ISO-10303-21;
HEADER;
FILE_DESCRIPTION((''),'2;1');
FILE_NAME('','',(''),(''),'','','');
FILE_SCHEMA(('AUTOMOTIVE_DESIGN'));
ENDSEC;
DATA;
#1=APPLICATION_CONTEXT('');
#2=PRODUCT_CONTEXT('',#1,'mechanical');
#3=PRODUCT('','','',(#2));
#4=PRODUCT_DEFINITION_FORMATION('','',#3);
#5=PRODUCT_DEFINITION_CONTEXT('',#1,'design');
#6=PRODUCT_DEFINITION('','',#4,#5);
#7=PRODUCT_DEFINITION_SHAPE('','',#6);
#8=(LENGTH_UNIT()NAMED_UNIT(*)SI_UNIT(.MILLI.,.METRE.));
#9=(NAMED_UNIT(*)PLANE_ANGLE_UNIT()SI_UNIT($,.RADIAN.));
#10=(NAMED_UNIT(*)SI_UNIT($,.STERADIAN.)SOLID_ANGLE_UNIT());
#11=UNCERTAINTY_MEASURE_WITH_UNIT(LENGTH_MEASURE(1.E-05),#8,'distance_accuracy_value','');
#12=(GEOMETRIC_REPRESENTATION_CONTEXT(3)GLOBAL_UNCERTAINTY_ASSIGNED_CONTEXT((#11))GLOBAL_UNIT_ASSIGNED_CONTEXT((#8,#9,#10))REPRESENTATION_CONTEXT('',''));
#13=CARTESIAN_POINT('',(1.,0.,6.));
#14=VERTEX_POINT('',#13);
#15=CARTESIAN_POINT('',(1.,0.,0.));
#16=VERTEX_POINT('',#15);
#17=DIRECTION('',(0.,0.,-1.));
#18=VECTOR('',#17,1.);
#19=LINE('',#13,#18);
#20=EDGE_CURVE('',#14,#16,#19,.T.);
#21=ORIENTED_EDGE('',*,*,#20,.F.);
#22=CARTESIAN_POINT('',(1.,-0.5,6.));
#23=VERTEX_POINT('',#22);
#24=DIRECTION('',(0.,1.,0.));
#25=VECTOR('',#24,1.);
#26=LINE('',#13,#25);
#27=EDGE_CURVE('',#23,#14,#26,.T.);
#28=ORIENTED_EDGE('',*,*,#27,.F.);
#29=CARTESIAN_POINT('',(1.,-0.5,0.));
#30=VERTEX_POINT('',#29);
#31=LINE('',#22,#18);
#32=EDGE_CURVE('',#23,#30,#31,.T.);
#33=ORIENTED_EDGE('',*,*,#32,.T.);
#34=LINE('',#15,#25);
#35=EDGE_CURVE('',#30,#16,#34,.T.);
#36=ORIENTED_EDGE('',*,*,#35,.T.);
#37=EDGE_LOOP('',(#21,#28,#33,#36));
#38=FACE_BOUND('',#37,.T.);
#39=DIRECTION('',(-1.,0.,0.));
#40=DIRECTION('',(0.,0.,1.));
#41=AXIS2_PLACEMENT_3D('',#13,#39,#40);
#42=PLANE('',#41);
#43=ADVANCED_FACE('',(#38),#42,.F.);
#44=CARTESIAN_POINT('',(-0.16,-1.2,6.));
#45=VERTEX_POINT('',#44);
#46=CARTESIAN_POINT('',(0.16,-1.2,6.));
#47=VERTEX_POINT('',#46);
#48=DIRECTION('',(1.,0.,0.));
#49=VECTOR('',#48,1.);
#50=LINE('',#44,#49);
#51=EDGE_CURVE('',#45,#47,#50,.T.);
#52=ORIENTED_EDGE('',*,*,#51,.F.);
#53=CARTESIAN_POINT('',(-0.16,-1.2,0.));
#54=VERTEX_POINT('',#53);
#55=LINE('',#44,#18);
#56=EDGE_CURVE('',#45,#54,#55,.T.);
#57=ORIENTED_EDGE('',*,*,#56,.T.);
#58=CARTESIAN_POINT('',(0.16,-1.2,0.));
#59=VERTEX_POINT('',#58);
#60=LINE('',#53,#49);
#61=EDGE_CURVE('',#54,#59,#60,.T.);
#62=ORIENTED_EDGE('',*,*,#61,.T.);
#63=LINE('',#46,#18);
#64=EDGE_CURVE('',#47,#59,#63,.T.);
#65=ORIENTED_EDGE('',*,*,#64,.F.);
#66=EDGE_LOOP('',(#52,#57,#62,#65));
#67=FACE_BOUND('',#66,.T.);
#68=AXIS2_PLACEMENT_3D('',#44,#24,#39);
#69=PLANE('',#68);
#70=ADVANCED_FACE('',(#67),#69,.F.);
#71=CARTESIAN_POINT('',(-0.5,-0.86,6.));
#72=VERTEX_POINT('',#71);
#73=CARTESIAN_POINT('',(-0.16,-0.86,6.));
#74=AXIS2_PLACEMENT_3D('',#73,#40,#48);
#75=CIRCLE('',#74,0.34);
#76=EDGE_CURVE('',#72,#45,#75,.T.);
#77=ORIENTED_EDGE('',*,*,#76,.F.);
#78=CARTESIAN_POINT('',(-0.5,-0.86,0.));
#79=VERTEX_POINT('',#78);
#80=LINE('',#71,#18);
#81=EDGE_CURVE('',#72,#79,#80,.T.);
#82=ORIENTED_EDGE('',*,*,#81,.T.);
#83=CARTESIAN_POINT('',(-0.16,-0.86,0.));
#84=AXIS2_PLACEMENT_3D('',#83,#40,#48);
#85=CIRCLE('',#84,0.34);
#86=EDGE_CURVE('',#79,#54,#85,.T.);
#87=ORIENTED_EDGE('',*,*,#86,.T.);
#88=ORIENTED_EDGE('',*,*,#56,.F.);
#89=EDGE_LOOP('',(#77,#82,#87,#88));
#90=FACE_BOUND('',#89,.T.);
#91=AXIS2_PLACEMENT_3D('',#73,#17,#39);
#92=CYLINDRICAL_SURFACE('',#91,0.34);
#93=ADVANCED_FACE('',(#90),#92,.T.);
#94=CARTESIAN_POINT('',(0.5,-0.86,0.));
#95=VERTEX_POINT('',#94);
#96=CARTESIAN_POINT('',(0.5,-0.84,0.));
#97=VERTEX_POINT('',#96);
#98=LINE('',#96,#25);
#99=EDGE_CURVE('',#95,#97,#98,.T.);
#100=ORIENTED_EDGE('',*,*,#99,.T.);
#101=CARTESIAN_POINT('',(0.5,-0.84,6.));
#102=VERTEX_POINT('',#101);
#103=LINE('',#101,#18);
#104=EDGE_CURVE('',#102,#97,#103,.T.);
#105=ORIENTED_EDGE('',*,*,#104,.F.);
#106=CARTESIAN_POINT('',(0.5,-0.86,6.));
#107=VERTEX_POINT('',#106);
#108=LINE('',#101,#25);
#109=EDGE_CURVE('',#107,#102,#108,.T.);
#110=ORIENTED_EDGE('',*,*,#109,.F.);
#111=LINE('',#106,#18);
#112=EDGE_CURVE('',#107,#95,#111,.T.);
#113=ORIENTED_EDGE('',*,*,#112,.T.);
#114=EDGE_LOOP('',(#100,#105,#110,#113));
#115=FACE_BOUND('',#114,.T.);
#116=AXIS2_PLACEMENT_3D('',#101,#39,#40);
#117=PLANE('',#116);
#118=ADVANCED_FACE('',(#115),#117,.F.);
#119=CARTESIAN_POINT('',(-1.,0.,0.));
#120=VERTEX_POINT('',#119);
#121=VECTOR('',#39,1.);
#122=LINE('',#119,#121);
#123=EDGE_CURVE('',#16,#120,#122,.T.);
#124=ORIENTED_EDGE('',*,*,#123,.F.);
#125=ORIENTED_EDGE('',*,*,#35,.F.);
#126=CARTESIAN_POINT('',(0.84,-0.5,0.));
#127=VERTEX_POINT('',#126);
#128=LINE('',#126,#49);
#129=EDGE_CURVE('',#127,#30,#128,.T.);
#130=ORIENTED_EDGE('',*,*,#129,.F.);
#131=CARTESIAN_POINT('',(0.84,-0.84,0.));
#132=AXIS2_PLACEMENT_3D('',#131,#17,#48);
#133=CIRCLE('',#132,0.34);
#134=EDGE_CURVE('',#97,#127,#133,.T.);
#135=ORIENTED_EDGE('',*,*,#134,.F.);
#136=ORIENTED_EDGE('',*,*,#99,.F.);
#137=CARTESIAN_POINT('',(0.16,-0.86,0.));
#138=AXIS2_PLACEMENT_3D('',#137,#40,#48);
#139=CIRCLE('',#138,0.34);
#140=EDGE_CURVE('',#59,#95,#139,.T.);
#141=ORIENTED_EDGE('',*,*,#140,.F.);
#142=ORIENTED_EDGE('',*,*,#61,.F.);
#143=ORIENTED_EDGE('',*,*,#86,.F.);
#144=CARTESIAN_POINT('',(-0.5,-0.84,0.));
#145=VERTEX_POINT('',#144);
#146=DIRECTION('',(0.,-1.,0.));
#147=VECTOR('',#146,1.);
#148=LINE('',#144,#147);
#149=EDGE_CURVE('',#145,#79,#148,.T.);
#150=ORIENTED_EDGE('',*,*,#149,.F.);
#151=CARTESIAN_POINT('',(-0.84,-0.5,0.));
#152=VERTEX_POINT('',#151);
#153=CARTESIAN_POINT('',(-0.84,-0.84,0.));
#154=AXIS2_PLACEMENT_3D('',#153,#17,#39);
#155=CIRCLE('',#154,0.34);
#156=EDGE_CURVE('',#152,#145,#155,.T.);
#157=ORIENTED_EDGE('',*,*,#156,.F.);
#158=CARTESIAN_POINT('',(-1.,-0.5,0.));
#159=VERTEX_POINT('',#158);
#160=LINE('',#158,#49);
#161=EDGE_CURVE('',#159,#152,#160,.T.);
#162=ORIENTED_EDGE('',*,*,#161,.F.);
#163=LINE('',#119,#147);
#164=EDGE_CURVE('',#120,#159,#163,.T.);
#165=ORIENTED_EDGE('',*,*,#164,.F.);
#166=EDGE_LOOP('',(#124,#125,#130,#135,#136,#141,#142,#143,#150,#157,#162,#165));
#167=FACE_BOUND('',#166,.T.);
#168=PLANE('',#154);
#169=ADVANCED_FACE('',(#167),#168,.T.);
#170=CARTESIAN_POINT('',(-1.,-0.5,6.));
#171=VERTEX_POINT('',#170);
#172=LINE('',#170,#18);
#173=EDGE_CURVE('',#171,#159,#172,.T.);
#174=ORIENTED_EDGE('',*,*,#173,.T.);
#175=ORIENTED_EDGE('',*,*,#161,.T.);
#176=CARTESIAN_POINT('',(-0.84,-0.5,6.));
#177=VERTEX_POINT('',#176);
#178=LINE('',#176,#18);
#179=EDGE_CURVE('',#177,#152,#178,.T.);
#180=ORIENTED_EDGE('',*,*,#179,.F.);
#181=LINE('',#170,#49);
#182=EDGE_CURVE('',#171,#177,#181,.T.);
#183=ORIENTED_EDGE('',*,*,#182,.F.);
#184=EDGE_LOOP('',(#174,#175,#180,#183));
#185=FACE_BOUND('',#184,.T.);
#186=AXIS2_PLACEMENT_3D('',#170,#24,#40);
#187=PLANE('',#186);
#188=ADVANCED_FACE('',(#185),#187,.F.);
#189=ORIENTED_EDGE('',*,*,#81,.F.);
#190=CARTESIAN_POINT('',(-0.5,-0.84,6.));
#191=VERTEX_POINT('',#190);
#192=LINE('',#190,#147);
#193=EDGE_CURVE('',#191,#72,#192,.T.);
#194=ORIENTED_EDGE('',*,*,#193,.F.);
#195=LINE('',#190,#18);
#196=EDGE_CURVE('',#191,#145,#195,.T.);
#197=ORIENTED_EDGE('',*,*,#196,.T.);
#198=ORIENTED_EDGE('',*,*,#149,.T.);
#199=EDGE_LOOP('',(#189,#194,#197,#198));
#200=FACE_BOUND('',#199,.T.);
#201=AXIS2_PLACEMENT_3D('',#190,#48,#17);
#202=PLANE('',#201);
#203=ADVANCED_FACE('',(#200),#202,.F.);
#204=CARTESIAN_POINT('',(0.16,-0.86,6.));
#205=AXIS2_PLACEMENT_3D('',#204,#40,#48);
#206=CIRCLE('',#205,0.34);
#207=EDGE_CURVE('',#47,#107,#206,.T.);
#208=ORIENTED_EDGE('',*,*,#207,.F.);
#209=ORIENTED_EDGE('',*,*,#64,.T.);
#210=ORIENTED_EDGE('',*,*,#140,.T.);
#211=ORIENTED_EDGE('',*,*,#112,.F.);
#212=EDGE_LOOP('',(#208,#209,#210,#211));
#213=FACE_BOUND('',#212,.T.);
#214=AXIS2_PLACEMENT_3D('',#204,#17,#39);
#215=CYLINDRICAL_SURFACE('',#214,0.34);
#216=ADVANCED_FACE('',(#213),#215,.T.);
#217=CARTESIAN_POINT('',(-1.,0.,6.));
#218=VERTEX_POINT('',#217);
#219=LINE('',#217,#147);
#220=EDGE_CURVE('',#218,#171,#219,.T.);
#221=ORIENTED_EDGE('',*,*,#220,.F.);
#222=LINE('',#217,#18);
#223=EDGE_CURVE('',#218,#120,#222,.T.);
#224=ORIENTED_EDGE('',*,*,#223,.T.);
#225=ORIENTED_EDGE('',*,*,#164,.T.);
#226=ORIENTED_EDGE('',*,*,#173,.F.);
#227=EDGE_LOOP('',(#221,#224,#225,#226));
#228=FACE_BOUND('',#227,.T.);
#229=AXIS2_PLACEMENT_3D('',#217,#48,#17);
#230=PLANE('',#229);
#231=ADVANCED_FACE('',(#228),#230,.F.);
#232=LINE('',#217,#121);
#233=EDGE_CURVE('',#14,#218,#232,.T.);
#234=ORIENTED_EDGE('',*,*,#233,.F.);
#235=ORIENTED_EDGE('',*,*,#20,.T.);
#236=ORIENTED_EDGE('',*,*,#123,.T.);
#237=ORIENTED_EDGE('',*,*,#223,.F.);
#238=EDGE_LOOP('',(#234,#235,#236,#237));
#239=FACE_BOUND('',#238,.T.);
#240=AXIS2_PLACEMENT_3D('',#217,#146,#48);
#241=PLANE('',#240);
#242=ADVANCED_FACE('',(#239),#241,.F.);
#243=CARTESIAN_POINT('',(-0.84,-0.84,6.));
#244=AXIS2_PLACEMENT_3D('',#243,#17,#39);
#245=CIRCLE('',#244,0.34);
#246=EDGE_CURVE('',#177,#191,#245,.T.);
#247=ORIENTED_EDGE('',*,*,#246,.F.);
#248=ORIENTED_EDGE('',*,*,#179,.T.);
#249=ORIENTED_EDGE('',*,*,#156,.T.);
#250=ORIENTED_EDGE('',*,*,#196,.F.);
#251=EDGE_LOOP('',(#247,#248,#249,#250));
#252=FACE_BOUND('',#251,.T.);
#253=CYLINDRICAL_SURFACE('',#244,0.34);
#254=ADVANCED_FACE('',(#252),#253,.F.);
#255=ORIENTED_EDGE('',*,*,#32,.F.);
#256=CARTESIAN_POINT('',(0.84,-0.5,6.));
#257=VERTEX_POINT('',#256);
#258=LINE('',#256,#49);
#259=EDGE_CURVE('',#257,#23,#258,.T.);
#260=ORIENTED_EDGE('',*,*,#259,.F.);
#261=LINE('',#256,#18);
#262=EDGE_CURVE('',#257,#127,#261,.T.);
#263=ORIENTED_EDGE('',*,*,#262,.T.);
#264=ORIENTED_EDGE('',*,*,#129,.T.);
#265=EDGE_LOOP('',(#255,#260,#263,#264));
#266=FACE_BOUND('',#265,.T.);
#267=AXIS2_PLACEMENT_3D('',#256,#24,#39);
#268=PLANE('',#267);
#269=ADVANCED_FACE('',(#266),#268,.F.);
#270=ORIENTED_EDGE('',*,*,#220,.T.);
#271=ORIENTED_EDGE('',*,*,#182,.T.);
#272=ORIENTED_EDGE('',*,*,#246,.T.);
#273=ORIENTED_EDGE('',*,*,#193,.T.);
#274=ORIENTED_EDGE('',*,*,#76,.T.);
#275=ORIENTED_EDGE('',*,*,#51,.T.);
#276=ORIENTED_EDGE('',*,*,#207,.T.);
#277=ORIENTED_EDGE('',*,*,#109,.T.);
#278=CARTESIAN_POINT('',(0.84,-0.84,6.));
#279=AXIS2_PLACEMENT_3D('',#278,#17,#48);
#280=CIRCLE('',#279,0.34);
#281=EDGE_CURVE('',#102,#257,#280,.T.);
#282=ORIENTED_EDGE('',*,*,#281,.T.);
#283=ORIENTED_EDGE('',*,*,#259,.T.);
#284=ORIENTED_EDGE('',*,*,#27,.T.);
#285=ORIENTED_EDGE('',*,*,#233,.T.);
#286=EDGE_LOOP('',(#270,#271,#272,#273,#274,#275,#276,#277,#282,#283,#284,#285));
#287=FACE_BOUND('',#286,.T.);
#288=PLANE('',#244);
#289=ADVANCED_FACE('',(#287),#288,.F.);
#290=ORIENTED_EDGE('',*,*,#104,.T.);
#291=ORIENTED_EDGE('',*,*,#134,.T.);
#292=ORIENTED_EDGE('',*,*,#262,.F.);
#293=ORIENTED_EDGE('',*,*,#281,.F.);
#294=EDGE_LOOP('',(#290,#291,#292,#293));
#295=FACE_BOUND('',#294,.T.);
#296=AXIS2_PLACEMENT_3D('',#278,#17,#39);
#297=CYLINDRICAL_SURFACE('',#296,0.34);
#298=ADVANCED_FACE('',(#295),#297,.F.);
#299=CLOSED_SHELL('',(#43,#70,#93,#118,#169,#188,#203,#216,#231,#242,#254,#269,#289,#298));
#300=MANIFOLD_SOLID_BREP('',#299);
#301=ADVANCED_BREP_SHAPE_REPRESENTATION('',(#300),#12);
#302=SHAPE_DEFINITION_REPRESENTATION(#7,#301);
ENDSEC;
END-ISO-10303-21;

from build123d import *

# Parameters (mm, degrees)
EXTRUDE_1_DEPTH = 6


with BuildPart() as part:
    # 草图1 → 凸台-拉伸1 (new body)
    with BuildSketch(Plane.XY):
        with BuildLine():
            Line((-1, 0), (1, 0))
            Line((1, 0), (1, -0.5))
            Line((1, -0.5), (0.84, -0.5))
            ThreePointArc((0.84, -0.5), (0.599583694, -0.599583694), (0.5, -0.84))
            Line((0.5, -0.84), (0.5, -0.86))
            ThreePointArc((0.5, -0.86), (0.400416306, -1.100416306), (0.16, -1.2))
            Line((0.16, -1.2), (-0.16, -1.2))
            ThreePointArc((-0.16, -1.2), (-0.400416306, -1.100416306), (-0.5, -0.86))
            Line((-0.5, -0.86), (-0.5, -0.84))
            ThreePointArc((-0.5, -0.84), (-0.599583694, -0.599583694), (-0.84, -0.5))
            Line((-0.84, -0.5), (-1, -0.5))
            Line((-1, -0.5), (-1, 0))
        make_face()
    extrude(amount=EXTRUDE_1_DEPTH)


solid = part.part
